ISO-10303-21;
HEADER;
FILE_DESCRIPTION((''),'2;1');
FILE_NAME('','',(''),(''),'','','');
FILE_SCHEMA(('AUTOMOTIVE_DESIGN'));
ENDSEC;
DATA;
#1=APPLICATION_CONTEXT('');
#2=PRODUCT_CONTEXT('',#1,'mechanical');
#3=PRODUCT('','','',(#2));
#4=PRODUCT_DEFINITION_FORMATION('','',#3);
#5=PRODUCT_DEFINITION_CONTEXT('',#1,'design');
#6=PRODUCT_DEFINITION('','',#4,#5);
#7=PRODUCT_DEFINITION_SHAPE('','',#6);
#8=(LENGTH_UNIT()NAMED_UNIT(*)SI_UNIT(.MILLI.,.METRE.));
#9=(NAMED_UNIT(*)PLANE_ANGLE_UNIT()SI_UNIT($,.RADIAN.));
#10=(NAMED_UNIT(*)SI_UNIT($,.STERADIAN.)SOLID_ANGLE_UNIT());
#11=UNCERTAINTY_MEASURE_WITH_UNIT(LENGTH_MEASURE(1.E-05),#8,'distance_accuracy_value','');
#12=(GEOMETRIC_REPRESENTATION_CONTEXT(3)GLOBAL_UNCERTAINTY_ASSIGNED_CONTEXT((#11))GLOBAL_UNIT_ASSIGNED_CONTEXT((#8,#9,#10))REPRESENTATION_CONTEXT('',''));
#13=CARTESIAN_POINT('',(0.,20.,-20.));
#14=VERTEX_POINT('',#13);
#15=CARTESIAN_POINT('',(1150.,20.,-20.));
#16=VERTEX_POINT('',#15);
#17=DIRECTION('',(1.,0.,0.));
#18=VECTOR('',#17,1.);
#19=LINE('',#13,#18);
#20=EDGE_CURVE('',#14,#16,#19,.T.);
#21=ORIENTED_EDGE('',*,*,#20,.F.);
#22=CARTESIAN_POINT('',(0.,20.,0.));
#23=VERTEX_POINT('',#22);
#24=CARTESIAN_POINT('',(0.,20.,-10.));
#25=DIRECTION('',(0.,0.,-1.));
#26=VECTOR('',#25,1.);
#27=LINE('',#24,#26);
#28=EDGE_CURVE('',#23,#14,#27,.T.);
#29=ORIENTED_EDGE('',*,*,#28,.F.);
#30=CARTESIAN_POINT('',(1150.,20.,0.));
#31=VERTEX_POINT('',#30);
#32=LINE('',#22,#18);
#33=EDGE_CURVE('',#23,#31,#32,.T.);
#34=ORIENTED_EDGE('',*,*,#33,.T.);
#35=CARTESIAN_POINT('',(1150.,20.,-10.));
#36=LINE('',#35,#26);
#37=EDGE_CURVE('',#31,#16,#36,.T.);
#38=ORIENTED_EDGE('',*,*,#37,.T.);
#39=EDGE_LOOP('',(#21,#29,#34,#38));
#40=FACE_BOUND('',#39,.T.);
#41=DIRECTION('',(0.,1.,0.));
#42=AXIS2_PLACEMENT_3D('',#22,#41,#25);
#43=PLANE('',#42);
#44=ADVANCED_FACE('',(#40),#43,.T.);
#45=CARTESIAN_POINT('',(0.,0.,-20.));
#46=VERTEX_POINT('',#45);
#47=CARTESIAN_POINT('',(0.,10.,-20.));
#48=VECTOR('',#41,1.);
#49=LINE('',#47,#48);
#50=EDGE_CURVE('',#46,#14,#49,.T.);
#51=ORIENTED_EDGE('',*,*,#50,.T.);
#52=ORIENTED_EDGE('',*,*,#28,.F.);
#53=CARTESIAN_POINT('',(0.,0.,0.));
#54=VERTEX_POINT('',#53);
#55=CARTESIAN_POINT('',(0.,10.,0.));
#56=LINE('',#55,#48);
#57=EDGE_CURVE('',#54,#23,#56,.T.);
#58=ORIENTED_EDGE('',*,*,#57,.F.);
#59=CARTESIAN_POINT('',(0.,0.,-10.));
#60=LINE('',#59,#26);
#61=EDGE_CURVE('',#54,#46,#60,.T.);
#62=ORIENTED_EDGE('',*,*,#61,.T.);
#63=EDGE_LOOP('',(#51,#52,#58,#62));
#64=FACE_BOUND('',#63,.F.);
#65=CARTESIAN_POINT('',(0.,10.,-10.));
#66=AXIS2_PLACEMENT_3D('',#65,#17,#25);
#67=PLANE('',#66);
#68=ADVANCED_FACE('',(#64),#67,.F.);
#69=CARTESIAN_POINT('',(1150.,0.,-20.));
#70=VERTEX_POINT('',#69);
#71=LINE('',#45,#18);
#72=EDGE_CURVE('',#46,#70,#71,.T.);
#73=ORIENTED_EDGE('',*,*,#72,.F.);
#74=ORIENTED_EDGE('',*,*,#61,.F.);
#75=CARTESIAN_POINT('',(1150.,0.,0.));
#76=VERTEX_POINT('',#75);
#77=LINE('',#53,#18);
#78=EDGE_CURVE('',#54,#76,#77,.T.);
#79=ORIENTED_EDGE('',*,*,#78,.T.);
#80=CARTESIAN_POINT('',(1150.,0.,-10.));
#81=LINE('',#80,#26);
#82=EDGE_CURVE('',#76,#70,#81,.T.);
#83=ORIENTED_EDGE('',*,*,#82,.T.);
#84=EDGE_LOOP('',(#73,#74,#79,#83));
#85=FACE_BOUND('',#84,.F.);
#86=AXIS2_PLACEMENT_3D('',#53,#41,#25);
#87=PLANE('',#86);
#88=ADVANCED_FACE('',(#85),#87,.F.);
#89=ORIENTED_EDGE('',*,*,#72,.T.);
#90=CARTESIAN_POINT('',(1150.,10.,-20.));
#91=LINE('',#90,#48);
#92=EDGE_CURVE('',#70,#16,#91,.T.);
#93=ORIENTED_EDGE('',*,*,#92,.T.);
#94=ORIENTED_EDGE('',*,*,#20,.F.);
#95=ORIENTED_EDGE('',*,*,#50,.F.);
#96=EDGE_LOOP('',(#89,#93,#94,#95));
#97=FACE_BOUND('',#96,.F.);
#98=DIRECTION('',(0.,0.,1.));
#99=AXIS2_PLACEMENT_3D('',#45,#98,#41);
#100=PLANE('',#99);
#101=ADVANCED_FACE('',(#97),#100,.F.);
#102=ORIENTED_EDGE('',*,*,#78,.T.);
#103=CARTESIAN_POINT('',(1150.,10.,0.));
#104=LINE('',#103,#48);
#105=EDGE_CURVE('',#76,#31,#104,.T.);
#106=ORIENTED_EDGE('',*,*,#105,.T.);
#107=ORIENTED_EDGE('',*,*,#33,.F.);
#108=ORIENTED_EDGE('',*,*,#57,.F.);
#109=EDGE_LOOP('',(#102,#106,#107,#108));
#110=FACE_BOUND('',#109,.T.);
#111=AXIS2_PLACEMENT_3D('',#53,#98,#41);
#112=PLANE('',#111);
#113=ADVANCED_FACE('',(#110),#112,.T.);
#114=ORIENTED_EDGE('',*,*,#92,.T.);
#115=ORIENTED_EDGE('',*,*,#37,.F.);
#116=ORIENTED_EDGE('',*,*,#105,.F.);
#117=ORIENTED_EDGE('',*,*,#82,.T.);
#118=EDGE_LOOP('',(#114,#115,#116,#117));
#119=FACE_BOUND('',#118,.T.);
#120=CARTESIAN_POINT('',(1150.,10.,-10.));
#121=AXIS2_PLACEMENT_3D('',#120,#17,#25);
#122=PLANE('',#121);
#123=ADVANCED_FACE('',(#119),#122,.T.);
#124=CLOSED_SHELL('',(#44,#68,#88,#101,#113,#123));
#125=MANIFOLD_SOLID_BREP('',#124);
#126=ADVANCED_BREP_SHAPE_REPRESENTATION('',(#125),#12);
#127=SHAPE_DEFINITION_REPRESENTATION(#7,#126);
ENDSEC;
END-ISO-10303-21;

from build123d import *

# Parameters (mm, degrees)
SKETCH_1_W      = 20
SKETCH_1_H      = 20
EXTRUDE_1_DEPTH = 1150


with BuildPart() as part:
    # Эскиз1 → Бобышка-Вытянуть1 (new body)
    with BuildSketch(Plane(origin=(0, 0, 0), x_dir=(0, 0, -1), z_dir=(1, 0, 0))):
        with Locations((10, 10)):
            Rectangle(SKETCH_1_W, SKETCH_1_H)
    extrude(amount=EXTRUDE_1_DEPTH)


solid = part.part
